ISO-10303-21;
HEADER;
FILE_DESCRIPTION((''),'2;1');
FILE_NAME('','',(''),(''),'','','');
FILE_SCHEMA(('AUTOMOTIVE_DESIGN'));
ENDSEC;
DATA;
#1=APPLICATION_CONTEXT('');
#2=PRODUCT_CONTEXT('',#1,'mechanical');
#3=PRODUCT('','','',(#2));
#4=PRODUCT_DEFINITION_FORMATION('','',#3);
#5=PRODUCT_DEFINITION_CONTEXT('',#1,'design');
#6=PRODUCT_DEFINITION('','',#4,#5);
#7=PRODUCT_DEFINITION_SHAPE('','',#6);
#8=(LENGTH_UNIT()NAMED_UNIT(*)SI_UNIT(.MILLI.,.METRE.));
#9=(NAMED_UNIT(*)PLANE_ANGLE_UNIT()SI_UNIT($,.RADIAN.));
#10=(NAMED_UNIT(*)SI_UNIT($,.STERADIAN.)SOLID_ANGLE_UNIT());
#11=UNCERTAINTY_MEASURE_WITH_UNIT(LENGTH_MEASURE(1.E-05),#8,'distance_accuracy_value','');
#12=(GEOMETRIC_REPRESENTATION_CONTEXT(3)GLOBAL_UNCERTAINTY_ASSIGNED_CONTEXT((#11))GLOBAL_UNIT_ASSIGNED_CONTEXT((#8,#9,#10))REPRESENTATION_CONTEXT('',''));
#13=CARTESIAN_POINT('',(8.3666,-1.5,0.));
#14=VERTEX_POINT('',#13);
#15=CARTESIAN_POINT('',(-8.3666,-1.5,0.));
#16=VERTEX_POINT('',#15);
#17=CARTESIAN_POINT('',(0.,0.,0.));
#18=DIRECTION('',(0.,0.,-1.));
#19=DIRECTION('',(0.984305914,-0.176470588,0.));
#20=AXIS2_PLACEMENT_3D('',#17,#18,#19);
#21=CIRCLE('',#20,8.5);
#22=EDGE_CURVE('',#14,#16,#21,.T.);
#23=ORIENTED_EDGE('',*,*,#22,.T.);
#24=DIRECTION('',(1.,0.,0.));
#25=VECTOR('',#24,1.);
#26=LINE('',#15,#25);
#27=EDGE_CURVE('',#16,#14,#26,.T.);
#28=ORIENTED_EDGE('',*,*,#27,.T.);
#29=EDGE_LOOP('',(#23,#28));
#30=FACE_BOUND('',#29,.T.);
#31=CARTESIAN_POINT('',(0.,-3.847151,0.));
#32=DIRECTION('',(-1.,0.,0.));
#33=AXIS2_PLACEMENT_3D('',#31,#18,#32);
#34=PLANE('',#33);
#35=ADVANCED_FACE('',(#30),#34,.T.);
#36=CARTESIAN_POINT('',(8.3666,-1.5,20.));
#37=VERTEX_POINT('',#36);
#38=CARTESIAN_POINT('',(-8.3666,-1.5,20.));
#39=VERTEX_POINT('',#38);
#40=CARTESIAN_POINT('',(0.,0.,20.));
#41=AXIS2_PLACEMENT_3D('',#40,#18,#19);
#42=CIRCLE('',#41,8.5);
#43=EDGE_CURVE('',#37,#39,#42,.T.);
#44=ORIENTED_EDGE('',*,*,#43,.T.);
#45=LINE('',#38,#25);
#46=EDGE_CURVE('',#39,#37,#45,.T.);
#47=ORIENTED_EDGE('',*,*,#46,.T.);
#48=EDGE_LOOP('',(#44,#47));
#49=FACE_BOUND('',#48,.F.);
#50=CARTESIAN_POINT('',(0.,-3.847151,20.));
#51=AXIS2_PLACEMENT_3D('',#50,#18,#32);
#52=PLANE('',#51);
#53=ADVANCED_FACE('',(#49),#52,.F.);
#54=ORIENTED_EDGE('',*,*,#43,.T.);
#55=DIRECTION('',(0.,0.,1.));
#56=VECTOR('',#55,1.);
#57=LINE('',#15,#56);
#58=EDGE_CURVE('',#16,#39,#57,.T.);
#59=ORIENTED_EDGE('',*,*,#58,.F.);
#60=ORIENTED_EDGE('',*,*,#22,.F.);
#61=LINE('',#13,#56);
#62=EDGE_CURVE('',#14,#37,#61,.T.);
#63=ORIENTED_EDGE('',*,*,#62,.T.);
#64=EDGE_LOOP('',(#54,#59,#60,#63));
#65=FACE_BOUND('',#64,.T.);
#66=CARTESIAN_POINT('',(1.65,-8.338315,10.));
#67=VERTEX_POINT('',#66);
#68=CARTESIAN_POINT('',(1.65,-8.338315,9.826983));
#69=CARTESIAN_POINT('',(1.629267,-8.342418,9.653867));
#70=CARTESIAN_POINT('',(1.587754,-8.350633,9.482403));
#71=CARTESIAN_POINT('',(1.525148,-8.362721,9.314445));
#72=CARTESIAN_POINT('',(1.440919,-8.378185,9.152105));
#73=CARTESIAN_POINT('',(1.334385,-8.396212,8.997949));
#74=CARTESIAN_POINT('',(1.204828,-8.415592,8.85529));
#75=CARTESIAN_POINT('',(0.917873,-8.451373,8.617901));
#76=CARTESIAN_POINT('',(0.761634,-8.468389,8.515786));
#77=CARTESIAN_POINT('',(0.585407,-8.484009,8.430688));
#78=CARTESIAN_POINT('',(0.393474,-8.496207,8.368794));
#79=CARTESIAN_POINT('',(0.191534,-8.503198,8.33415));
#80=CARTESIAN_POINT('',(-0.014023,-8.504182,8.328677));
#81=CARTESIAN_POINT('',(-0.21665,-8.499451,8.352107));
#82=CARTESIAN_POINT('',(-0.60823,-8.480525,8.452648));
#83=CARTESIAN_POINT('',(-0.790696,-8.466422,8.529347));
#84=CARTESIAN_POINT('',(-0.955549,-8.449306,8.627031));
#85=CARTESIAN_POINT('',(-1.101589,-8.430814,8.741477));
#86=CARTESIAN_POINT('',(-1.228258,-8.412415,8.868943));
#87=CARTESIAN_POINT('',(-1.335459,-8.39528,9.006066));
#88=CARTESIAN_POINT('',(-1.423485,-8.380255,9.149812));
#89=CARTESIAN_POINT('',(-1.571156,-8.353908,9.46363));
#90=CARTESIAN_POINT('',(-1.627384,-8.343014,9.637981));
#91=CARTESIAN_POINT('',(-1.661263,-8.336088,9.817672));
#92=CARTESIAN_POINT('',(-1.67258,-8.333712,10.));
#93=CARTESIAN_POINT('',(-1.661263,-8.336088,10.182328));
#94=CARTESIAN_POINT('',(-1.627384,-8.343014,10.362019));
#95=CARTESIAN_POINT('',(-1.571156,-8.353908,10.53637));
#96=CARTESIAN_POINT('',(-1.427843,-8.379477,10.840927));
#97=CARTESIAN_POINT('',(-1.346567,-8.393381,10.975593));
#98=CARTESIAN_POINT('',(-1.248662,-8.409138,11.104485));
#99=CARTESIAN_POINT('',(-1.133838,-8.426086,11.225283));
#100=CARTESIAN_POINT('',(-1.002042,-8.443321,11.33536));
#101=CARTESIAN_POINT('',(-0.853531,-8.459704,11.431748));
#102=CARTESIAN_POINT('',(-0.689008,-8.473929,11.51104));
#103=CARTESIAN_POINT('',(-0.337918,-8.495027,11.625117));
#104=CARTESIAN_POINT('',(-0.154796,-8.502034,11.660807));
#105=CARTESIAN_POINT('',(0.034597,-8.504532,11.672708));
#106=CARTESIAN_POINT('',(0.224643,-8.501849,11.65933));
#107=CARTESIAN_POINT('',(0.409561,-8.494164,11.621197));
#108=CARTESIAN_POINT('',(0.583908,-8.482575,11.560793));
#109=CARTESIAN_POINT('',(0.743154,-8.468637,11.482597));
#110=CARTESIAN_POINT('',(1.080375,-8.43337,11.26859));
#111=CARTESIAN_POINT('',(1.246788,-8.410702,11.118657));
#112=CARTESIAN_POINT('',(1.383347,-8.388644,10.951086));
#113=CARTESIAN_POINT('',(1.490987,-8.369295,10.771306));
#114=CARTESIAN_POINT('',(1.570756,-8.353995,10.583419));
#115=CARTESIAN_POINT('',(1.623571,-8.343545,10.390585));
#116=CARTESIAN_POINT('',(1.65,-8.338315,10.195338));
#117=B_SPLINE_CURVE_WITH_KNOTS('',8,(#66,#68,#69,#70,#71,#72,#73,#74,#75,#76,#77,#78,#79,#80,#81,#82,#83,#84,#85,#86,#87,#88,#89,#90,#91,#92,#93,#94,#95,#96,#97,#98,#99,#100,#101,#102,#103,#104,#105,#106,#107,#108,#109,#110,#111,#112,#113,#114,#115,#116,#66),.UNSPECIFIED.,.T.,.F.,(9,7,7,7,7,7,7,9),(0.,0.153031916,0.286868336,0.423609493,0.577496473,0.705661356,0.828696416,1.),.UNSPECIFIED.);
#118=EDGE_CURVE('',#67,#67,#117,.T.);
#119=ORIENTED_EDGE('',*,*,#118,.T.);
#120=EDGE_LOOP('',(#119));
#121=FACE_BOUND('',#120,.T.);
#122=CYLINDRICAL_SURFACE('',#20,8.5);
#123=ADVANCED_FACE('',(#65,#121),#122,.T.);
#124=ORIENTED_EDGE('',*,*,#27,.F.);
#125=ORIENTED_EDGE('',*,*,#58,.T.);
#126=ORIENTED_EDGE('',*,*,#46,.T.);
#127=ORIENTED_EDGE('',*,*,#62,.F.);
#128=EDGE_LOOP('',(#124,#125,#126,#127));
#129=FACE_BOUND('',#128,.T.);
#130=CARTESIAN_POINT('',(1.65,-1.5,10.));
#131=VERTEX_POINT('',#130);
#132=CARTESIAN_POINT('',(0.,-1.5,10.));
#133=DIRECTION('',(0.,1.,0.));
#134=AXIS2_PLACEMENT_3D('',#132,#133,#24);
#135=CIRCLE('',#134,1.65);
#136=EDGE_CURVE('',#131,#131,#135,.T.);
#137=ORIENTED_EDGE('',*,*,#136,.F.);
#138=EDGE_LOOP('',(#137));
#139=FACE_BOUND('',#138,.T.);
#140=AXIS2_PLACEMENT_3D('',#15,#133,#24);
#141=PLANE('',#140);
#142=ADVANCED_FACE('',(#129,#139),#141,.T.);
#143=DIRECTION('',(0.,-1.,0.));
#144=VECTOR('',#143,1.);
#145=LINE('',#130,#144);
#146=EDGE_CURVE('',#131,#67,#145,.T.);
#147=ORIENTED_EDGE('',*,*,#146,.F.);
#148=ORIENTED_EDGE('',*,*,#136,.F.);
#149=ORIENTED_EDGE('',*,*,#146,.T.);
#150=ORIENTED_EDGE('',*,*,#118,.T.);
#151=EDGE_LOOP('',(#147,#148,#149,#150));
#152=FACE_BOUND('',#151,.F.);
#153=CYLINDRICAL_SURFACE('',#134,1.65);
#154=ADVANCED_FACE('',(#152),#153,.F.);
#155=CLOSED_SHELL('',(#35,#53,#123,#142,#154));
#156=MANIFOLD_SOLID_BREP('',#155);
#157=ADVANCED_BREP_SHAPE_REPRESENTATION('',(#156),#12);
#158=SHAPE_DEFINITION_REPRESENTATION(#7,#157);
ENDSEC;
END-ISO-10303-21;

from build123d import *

# Parameters (mm, degrees)
BOSS_EXTRUDE1_DEPTH = 20
SKETCH2_R           = 1.65
CUT_EXTRUDE1_DEPTH  = 8


with BuildPart() as part:
    # Sketch1 → Boss-Extrude1 (new body)
    with BuildSketch(Plane.XY):
        with BuildLine():
            Line((-8.366600265, -1.5), (8.366600265, -1.5))
            ThreePointArc((8.366600265, -1.5), (0, -8.5), (-8.366600265, -1.5))
        make_face()
    extrude(amount=BOSS_EXTRUDE1_DEPTH)

    # Sketch2 → Cut-Extrude1 (cut, through all)
    with BuildSketch(Plane(origin=(0, -1.5, 0), x_dir=(1, 0, 0), z_dir=(0, 1, 0))):
        with Locations((0, -10)):
            Circle(SKETCH2_R)
    extrude(amount=-CUT_EXTRUDE1_DEPTH, mode=Mode.SUBTRACT)


solid = part.part
